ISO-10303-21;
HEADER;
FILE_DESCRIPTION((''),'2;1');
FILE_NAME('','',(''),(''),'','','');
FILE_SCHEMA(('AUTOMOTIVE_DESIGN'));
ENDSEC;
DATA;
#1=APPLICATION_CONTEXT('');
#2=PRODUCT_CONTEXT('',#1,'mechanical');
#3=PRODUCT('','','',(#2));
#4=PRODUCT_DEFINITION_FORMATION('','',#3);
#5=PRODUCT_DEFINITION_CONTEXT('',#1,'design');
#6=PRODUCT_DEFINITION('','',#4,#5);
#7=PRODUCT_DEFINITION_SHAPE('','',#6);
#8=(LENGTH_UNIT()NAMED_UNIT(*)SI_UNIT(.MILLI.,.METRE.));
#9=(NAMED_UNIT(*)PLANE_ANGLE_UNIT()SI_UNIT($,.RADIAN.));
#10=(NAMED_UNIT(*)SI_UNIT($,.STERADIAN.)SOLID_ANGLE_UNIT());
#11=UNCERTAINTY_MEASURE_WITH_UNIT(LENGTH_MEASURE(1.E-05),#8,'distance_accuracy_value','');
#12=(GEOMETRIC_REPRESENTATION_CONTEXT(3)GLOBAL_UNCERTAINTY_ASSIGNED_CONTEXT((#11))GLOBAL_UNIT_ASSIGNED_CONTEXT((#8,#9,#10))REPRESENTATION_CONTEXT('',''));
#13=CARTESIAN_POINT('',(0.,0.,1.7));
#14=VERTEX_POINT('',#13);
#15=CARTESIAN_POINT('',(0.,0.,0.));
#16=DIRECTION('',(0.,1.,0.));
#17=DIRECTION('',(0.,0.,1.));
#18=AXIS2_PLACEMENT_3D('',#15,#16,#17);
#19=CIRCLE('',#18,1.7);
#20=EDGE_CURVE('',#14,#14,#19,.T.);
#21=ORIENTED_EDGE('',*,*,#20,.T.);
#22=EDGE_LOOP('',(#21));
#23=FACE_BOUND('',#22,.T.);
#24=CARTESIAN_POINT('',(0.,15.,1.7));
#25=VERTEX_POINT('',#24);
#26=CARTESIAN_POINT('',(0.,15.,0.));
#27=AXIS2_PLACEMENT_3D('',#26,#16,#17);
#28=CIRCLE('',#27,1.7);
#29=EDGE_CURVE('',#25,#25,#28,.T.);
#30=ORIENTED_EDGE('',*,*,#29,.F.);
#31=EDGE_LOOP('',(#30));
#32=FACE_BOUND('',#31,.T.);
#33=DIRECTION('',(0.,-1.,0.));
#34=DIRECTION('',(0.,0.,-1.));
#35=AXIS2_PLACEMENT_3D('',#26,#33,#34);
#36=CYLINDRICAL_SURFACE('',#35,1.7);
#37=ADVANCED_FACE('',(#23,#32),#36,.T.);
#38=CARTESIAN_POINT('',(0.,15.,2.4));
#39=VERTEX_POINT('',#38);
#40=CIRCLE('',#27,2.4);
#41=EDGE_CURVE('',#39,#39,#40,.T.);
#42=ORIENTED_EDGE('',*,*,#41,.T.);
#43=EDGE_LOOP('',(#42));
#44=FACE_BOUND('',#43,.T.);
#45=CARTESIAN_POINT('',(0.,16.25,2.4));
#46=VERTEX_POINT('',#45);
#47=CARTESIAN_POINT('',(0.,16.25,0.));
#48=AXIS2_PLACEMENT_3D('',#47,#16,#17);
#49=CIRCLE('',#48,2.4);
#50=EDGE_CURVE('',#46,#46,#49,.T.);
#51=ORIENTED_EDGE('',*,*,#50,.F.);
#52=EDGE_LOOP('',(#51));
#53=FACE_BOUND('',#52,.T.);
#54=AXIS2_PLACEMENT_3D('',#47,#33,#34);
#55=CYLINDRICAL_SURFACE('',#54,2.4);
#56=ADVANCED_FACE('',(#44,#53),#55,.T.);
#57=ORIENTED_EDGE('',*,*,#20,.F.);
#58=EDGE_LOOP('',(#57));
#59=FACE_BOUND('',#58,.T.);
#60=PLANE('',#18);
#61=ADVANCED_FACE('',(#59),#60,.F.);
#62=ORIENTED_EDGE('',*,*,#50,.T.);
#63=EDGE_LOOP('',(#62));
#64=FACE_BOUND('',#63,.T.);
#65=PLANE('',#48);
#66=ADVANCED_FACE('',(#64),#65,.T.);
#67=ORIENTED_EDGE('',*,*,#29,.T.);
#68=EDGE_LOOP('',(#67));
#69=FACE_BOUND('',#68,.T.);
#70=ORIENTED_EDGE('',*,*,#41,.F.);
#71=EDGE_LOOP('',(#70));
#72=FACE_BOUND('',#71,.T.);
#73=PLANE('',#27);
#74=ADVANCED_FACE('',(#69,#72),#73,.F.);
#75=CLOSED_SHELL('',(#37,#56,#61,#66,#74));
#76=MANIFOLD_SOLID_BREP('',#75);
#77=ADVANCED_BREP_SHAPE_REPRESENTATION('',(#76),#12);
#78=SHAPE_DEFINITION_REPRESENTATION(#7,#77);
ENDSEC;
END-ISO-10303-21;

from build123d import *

# Parameters (mm, degrees)
SKETCH1_R           = 1.7
BOSS_EXTRUDE1_DEPTH = 15
SKETCH2_R           = 2.4
BOSS_EXTRUDE2_DEPTH = 1.25


with BuildPart() as part:
    # Sketch1 → Boss-Extrude1 (new body)
    with BuildSketch(Plane(origin=(0, 0, 0), x_dir=(1, 0, 0), z_dir=(0, 1, 0))):
        Circle(SKETCH1_R)
    extrude(amount=BOSS_EXTRUDE1_DEPTH)

    # Sketch2 → Boss-Extrude2 (add)
    with BuildSketch(Plane(origin=(0, 15, 0), x_dir=(1, 0, 0), z_dir=(0, 1, 0))):
        Circle(SKETCH2_R)
    extrude(amount=BOSS_EXTRUDE2_DEPTH)


solid = part.part
